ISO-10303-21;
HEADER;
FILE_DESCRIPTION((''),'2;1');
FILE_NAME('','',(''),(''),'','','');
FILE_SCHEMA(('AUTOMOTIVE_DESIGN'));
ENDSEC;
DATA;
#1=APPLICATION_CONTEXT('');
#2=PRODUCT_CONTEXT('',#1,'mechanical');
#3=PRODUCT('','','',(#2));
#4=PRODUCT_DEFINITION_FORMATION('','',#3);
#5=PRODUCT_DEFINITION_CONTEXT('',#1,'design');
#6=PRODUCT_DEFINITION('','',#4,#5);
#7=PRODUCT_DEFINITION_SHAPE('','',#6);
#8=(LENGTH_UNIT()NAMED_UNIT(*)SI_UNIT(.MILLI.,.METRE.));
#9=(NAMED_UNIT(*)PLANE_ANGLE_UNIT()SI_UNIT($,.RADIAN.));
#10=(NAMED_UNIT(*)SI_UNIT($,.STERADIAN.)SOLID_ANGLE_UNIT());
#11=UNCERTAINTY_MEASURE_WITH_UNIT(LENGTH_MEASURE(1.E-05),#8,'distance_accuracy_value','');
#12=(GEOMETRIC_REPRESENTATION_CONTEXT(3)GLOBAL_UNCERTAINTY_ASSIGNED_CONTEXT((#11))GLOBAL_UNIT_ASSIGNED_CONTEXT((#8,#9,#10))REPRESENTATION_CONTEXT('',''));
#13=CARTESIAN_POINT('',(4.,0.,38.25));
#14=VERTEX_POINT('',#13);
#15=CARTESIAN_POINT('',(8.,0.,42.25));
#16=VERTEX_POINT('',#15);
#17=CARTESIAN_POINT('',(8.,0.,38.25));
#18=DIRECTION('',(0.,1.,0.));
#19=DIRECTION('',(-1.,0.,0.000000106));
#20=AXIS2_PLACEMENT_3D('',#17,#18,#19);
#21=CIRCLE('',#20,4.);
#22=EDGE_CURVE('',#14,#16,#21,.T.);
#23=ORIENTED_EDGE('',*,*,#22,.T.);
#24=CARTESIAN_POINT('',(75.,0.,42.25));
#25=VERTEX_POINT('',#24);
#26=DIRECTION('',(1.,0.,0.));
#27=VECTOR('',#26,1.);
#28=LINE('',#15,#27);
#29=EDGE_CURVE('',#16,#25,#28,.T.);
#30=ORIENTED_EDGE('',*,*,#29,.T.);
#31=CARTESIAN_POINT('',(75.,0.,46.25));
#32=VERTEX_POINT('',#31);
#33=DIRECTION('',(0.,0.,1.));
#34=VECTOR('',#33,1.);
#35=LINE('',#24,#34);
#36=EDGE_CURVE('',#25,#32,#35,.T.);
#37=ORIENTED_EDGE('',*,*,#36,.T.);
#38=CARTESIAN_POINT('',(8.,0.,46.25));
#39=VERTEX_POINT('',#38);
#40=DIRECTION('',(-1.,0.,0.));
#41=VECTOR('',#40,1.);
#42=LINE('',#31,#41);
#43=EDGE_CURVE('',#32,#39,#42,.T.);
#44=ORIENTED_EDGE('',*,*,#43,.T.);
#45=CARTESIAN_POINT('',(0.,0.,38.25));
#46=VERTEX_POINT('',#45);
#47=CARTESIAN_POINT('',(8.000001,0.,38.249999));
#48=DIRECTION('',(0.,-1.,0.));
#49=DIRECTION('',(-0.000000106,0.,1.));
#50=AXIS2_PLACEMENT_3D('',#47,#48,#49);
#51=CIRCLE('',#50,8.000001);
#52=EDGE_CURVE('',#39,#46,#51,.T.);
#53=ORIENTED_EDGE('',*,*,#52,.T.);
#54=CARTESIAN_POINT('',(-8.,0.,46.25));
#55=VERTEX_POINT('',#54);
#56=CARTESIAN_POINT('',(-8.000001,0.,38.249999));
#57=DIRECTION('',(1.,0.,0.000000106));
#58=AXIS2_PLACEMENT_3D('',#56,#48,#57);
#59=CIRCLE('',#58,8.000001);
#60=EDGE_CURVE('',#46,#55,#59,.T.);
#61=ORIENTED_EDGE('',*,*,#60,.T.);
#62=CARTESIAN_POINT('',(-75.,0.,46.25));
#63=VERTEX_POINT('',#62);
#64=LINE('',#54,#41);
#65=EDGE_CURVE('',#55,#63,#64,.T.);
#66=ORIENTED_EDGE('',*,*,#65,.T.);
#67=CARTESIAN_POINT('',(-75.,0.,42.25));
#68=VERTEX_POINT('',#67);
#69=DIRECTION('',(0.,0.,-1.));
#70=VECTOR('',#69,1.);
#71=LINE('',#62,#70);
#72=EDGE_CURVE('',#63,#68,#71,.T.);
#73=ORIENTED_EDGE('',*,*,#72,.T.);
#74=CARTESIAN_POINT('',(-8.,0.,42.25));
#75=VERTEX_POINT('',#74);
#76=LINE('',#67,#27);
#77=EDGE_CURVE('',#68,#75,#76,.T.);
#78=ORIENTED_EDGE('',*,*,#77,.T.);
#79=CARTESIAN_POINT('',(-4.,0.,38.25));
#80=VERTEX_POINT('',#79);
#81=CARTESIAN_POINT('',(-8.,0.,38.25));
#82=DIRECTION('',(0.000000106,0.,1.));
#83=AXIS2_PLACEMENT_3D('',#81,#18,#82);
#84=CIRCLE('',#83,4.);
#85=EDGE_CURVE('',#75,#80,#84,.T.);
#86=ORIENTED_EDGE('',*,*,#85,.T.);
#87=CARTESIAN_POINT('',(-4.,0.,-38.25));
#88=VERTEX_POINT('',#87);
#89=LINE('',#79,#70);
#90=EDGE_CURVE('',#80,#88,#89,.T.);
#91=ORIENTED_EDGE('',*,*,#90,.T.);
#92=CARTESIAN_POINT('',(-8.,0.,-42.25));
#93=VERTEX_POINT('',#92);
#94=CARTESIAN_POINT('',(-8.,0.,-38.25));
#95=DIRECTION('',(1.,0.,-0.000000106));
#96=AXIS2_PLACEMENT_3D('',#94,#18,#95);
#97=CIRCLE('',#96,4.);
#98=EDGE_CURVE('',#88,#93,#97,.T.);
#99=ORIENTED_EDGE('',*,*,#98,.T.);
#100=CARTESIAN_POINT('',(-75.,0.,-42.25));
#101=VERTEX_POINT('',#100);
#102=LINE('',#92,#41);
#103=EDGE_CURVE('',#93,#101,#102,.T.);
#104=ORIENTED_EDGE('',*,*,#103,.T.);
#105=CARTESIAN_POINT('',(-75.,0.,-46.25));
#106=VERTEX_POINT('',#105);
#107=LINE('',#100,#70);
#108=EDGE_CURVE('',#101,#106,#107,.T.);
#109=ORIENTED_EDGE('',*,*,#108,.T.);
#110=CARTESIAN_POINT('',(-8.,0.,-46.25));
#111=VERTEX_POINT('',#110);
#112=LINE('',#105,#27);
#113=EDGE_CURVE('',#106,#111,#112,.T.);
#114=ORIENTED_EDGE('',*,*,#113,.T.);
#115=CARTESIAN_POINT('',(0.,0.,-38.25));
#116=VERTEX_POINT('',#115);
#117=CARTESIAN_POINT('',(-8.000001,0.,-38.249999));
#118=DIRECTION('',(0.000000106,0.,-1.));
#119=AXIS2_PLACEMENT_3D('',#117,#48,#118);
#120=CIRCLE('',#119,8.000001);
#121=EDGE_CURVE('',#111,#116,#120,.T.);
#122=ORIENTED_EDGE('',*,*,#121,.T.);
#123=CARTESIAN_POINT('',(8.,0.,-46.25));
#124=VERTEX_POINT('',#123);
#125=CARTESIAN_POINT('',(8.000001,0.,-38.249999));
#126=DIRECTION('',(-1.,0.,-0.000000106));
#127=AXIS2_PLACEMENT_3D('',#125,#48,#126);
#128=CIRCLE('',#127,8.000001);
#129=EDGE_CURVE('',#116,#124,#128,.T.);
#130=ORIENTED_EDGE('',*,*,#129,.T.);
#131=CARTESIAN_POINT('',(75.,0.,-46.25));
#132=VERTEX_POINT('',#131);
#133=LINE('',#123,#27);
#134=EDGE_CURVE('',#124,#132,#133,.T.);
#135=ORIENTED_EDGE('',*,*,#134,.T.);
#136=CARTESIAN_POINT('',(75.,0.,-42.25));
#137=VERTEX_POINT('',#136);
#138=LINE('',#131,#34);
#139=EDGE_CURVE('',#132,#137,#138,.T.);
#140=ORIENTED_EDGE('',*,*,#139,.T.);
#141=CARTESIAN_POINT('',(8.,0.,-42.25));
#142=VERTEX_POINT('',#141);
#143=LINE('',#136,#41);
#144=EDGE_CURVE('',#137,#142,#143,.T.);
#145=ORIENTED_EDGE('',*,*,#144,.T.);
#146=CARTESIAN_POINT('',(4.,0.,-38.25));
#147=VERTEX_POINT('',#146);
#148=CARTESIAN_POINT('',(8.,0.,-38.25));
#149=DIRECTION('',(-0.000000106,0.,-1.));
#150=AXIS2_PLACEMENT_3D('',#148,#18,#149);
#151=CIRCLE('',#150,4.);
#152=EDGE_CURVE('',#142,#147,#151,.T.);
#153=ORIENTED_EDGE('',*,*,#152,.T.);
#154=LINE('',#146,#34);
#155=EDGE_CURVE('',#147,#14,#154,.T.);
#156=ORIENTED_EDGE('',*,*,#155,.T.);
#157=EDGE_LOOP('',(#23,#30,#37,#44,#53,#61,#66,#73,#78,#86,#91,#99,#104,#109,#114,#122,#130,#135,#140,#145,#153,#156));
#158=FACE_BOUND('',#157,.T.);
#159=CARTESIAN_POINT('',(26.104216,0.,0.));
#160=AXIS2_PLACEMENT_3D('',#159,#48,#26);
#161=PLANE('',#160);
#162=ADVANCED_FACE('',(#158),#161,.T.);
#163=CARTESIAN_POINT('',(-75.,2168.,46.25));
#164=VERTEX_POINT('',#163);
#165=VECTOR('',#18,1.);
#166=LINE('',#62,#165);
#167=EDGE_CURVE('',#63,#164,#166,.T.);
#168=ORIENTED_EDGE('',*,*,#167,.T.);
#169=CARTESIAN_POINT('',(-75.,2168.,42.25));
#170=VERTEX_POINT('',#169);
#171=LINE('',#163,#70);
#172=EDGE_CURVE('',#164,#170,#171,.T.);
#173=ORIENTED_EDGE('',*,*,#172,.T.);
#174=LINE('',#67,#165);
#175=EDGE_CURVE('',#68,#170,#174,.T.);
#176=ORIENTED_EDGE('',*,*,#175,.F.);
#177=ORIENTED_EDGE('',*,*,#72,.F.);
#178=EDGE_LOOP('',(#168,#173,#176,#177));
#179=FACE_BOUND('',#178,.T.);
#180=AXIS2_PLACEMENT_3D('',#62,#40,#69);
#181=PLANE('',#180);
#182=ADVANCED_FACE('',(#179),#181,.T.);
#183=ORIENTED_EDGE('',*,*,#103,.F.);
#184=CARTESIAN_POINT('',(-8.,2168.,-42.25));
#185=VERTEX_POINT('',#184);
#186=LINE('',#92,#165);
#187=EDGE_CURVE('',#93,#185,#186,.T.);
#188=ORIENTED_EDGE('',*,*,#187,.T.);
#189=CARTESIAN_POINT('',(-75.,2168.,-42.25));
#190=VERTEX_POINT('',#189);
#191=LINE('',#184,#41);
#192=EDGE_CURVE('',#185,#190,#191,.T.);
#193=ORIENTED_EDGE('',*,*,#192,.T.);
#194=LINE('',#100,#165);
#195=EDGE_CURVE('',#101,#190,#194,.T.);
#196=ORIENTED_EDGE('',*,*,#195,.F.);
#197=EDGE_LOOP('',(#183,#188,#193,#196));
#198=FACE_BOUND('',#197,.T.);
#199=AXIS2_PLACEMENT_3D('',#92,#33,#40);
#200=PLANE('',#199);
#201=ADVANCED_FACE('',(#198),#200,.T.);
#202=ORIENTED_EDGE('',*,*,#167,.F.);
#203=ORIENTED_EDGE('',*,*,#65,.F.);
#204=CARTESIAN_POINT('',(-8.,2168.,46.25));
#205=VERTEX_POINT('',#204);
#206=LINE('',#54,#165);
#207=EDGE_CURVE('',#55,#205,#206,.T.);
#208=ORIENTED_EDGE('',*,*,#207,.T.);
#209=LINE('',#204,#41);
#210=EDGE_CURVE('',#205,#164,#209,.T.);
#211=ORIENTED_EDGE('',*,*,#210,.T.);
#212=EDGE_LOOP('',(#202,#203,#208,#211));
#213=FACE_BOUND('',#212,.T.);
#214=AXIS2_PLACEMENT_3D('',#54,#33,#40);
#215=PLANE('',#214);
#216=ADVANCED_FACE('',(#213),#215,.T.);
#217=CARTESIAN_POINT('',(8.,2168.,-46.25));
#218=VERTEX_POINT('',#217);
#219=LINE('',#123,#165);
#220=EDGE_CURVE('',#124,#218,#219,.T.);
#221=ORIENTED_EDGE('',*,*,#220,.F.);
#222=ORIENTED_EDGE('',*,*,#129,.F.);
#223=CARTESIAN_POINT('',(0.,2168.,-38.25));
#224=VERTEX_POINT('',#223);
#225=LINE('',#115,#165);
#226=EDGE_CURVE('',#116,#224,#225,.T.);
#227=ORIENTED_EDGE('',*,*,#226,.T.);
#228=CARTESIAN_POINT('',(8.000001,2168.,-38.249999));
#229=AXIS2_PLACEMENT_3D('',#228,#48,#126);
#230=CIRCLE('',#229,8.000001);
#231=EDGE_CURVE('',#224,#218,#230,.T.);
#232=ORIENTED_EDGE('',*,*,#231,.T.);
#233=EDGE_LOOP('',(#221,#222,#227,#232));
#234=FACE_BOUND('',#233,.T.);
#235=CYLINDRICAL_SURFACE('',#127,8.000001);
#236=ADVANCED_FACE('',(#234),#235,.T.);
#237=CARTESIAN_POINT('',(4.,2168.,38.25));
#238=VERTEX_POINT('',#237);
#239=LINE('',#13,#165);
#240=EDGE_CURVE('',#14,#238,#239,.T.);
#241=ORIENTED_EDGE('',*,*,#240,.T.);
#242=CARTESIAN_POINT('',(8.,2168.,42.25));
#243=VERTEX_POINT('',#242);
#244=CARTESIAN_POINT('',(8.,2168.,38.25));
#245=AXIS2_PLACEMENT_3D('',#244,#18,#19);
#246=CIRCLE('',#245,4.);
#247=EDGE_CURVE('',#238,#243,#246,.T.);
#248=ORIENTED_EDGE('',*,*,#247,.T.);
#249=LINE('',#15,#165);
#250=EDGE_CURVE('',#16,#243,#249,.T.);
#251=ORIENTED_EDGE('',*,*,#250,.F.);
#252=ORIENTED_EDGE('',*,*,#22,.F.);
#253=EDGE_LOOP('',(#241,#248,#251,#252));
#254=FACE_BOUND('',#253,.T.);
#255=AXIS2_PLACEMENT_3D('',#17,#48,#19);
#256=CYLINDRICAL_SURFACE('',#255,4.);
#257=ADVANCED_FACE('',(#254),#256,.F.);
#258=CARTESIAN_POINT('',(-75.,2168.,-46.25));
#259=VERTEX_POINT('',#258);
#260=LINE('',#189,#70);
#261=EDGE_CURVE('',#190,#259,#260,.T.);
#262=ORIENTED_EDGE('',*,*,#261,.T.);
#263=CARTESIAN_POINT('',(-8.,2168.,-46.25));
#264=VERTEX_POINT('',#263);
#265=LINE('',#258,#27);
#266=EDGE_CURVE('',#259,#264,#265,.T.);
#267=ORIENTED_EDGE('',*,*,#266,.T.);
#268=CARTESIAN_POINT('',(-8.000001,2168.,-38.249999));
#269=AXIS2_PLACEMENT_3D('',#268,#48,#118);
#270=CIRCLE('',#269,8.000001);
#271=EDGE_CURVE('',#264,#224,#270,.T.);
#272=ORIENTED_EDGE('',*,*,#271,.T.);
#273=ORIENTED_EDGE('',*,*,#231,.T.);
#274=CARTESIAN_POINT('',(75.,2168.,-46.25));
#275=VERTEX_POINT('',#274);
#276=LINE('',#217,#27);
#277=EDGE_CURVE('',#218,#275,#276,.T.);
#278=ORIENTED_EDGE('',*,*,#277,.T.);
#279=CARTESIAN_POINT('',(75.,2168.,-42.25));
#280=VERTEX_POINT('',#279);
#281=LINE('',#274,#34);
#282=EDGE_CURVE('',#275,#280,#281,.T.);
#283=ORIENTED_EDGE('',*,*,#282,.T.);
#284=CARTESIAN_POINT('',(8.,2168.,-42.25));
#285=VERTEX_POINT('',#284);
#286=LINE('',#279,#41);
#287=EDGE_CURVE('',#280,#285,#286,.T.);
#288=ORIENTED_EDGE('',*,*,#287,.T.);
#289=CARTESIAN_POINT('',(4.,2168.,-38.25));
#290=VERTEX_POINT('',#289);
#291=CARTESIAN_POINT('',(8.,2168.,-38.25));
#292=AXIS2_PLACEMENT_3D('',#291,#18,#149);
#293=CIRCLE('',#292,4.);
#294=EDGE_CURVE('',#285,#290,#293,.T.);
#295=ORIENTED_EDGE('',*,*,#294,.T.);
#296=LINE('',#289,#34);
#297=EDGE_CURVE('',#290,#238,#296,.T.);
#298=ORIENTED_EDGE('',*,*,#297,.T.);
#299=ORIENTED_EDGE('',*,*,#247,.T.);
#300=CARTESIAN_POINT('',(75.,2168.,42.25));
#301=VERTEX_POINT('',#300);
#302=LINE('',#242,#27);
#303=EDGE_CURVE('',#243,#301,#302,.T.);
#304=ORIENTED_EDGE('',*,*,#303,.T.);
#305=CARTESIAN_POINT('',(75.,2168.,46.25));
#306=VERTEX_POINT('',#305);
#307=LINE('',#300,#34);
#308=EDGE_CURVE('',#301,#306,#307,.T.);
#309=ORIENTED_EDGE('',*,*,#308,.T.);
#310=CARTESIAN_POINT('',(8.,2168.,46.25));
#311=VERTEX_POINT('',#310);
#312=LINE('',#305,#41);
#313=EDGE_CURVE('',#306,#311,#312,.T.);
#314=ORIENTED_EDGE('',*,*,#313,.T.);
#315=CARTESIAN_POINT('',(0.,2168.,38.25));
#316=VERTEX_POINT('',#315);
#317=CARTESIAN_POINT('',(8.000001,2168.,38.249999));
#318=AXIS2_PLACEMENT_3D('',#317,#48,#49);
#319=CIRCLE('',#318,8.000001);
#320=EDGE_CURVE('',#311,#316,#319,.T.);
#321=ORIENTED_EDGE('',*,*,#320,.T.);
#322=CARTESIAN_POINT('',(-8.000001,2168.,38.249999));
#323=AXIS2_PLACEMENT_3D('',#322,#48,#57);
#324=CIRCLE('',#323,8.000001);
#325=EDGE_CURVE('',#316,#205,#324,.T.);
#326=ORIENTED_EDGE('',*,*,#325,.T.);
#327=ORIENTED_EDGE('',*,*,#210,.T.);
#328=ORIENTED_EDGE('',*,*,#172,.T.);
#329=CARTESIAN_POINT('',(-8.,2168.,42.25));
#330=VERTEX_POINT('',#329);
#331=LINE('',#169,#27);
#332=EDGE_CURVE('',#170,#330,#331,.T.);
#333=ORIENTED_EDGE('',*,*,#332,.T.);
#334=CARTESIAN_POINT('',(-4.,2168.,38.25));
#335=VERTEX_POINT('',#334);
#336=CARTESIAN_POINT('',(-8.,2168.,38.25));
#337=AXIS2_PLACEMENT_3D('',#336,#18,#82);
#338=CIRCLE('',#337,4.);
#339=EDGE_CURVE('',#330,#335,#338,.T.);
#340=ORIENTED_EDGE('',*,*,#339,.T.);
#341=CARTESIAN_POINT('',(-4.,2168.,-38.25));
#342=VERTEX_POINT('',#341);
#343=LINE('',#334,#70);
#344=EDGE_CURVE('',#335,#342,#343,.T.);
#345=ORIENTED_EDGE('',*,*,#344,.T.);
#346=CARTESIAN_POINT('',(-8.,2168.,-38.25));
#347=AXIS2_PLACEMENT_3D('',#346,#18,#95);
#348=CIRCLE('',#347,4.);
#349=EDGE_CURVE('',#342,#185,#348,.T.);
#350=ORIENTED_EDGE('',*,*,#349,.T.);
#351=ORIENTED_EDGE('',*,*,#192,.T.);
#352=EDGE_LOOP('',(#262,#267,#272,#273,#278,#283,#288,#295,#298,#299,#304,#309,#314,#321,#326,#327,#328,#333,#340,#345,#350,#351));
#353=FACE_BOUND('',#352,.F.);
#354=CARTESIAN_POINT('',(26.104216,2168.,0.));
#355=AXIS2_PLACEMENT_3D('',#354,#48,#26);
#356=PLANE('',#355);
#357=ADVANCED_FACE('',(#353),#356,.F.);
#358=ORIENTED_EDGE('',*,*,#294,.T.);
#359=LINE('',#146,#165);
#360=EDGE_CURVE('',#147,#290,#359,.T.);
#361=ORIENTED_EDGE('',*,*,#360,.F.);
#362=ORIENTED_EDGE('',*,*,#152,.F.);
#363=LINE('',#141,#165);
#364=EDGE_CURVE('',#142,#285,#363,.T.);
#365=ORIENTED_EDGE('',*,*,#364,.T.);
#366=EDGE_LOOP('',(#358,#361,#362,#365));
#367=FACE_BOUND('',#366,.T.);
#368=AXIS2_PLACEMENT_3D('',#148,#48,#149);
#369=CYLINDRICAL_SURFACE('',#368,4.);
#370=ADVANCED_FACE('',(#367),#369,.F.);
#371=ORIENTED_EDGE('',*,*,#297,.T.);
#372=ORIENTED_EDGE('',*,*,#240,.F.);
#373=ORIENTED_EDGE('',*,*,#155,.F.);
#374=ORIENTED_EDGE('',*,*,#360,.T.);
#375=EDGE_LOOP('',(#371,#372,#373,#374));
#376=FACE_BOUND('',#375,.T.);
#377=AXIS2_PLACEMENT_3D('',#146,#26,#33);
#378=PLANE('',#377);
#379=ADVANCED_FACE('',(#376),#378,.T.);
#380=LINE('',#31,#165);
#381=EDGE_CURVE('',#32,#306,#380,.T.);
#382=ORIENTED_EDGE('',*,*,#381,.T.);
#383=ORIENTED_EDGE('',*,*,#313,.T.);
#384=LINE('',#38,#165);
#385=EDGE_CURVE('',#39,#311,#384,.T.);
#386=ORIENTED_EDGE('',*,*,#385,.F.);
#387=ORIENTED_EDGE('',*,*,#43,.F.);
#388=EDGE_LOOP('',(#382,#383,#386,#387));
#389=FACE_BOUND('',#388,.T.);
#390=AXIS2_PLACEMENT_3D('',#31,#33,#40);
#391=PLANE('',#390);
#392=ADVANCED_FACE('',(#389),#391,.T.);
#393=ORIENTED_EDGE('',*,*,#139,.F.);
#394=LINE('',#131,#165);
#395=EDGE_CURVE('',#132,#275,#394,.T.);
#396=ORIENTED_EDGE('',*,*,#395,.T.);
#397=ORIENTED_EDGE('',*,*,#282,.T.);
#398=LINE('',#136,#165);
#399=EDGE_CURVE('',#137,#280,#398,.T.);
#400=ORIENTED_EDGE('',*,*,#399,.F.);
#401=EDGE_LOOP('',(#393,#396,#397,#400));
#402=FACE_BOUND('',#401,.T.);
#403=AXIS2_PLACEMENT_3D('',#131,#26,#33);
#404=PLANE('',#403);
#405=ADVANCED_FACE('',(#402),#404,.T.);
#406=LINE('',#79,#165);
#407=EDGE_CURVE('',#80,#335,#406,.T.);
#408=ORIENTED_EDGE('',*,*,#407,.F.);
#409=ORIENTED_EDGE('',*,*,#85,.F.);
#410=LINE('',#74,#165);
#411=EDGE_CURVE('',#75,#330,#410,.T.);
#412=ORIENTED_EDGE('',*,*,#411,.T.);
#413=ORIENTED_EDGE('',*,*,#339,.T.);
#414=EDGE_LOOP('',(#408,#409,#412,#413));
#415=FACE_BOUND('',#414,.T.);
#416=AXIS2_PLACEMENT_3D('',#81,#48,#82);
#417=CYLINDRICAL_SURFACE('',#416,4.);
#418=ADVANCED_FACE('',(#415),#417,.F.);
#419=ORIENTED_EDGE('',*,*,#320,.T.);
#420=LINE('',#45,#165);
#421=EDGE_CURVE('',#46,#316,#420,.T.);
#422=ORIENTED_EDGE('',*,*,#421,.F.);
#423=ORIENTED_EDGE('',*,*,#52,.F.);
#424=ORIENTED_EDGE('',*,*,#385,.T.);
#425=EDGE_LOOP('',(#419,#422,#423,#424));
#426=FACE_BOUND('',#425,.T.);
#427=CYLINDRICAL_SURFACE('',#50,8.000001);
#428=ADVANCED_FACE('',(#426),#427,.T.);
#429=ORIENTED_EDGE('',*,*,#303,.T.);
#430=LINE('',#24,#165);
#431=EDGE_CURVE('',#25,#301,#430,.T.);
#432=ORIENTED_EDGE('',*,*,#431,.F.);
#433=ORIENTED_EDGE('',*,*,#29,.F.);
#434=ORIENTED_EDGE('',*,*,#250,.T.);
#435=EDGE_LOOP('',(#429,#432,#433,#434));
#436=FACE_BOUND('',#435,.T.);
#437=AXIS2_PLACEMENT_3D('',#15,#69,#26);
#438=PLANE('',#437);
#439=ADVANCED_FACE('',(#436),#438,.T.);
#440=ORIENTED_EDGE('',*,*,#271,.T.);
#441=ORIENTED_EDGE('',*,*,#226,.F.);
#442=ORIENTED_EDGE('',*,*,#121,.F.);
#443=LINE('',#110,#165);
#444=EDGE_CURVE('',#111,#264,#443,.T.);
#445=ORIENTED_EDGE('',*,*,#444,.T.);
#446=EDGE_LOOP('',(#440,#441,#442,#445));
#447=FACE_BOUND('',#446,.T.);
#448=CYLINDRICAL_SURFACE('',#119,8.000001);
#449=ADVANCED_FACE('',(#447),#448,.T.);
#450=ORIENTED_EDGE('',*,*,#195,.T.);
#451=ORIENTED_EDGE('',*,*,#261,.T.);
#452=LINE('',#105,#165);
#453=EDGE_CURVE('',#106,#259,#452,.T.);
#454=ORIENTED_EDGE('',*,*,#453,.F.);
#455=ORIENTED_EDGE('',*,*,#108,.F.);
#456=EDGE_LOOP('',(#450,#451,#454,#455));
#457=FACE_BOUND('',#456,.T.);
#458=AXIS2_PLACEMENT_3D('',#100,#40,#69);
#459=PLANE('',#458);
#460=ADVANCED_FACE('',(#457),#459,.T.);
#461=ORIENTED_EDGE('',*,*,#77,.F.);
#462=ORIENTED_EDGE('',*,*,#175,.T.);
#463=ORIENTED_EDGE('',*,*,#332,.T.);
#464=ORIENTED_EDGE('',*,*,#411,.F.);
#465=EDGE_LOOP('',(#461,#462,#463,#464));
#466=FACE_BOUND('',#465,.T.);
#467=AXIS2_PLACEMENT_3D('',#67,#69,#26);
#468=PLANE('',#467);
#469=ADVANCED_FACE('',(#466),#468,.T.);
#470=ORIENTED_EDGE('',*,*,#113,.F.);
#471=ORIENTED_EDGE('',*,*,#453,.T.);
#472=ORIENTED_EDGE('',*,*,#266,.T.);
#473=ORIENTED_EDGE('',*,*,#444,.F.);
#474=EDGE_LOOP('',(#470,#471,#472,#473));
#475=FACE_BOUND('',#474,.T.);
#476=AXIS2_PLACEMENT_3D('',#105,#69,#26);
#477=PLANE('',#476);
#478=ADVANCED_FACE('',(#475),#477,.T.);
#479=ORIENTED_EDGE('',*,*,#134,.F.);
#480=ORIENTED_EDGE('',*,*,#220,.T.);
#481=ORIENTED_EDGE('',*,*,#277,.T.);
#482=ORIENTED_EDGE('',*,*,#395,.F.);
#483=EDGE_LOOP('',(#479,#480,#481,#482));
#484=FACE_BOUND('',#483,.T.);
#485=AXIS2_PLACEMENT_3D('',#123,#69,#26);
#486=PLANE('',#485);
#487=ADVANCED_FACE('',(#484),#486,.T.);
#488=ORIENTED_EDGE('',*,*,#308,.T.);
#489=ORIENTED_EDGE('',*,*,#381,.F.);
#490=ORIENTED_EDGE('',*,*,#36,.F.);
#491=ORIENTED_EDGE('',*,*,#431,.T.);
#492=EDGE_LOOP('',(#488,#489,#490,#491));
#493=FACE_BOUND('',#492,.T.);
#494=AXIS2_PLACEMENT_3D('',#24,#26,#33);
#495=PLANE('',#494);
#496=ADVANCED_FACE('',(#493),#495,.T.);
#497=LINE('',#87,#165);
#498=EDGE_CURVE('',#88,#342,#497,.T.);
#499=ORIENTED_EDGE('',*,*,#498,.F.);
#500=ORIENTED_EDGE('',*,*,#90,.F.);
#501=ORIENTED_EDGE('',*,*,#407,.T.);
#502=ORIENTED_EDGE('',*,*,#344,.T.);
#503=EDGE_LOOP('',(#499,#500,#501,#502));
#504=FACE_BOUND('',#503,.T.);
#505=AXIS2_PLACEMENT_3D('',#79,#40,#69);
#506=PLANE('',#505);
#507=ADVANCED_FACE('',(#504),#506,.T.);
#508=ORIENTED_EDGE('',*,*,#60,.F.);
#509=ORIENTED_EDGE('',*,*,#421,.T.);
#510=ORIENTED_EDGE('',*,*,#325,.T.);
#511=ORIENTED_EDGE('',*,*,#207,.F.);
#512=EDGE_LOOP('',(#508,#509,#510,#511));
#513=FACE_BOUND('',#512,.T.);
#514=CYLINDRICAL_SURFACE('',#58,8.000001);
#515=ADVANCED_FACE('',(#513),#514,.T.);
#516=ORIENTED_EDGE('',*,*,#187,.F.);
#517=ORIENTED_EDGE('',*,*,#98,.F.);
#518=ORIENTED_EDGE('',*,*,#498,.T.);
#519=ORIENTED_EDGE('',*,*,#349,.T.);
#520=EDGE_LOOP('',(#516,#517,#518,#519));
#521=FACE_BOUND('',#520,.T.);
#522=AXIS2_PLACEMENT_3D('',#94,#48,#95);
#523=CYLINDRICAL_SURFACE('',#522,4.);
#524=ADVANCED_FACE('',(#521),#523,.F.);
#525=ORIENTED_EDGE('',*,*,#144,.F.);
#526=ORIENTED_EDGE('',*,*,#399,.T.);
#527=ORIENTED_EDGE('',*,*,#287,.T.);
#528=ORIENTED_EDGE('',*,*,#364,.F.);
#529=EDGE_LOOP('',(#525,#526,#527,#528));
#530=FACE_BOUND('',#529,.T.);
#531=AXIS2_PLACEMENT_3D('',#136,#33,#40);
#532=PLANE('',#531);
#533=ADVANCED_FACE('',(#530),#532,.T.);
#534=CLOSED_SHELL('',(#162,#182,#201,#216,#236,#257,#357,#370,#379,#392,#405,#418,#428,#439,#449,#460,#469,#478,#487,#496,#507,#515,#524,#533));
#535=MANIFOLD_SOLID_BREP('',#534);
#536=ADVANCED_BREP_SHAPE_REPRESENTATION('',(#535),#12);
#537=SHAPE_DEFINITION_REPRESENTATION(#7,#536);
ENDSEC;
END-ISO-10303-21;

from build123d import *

# Parameters (mm, degrees)
F1_DEPTH = 2168


with BuildPart() as f1:
    # F0 (on Front) → F1 (new body)
    with BuildSketch(Plane.XZ):
        with BuildLine():
            Line((0, 38.25), (0, -38.25))
            ThreePointArc((0, -38.25), (2.343146, -43.906854), (8, -46.25))
            Line((8, -46.25), (75, -46.25))
            Line((75, -46.25), (75, -42.25))
            Line((75, -42.25), (8, -42.25))
            ThreePointArc((8, -42.25), (5.171573, -41.078427), (4, -38.25))
            Line((4, -38.25), (4, 38.25))
            ThreePointArc((4, 38.25), (5.171573, 41.078427), (8, 42.25))
            Line((8, 42.25), (75, 42.25))
            Line((75, 42.25), (75, 46.25))
            Line((75, 46.25), (8, 46.25))
            ThreePointArc((8, 46.25), (2.343146, 43.906854), (0, 38.25))
        make_face()
        with BuildLine():
            Line((-75, -42.25), (-75, -46.25))
            Line((-75, -46.25), (-8, -46.25))
            ThreePointArc((-8, -46.25), (-2.343146, -43.906854), (0, -38.25))
            Line((0, -38.25), (0, 38.25))
            ThreePointArc((0, 38.25), (-2.343146, 43.906854), (-8, 46.25))
            Line((-8, 46.25), (-75, 46.25))
            Line((-75, 46.25), (-75, 42.25))
            Line((-75, 42.25), (-8, 42.25))
            ThreePointArc((-8, 42.25), (-5.171573, 41.078427), (-4, 38.25))
            Line((-4, 38.25), (-4, -38.25))
            ThreePointArc((-4, -38.25), (-5.171573, -41.078427), (-8, -42.25))
            Line((-8, -42.25), (-75, -42.25))
        make_face()
    extrude(amount=-F1_DEPTH)


solid = f1.part
